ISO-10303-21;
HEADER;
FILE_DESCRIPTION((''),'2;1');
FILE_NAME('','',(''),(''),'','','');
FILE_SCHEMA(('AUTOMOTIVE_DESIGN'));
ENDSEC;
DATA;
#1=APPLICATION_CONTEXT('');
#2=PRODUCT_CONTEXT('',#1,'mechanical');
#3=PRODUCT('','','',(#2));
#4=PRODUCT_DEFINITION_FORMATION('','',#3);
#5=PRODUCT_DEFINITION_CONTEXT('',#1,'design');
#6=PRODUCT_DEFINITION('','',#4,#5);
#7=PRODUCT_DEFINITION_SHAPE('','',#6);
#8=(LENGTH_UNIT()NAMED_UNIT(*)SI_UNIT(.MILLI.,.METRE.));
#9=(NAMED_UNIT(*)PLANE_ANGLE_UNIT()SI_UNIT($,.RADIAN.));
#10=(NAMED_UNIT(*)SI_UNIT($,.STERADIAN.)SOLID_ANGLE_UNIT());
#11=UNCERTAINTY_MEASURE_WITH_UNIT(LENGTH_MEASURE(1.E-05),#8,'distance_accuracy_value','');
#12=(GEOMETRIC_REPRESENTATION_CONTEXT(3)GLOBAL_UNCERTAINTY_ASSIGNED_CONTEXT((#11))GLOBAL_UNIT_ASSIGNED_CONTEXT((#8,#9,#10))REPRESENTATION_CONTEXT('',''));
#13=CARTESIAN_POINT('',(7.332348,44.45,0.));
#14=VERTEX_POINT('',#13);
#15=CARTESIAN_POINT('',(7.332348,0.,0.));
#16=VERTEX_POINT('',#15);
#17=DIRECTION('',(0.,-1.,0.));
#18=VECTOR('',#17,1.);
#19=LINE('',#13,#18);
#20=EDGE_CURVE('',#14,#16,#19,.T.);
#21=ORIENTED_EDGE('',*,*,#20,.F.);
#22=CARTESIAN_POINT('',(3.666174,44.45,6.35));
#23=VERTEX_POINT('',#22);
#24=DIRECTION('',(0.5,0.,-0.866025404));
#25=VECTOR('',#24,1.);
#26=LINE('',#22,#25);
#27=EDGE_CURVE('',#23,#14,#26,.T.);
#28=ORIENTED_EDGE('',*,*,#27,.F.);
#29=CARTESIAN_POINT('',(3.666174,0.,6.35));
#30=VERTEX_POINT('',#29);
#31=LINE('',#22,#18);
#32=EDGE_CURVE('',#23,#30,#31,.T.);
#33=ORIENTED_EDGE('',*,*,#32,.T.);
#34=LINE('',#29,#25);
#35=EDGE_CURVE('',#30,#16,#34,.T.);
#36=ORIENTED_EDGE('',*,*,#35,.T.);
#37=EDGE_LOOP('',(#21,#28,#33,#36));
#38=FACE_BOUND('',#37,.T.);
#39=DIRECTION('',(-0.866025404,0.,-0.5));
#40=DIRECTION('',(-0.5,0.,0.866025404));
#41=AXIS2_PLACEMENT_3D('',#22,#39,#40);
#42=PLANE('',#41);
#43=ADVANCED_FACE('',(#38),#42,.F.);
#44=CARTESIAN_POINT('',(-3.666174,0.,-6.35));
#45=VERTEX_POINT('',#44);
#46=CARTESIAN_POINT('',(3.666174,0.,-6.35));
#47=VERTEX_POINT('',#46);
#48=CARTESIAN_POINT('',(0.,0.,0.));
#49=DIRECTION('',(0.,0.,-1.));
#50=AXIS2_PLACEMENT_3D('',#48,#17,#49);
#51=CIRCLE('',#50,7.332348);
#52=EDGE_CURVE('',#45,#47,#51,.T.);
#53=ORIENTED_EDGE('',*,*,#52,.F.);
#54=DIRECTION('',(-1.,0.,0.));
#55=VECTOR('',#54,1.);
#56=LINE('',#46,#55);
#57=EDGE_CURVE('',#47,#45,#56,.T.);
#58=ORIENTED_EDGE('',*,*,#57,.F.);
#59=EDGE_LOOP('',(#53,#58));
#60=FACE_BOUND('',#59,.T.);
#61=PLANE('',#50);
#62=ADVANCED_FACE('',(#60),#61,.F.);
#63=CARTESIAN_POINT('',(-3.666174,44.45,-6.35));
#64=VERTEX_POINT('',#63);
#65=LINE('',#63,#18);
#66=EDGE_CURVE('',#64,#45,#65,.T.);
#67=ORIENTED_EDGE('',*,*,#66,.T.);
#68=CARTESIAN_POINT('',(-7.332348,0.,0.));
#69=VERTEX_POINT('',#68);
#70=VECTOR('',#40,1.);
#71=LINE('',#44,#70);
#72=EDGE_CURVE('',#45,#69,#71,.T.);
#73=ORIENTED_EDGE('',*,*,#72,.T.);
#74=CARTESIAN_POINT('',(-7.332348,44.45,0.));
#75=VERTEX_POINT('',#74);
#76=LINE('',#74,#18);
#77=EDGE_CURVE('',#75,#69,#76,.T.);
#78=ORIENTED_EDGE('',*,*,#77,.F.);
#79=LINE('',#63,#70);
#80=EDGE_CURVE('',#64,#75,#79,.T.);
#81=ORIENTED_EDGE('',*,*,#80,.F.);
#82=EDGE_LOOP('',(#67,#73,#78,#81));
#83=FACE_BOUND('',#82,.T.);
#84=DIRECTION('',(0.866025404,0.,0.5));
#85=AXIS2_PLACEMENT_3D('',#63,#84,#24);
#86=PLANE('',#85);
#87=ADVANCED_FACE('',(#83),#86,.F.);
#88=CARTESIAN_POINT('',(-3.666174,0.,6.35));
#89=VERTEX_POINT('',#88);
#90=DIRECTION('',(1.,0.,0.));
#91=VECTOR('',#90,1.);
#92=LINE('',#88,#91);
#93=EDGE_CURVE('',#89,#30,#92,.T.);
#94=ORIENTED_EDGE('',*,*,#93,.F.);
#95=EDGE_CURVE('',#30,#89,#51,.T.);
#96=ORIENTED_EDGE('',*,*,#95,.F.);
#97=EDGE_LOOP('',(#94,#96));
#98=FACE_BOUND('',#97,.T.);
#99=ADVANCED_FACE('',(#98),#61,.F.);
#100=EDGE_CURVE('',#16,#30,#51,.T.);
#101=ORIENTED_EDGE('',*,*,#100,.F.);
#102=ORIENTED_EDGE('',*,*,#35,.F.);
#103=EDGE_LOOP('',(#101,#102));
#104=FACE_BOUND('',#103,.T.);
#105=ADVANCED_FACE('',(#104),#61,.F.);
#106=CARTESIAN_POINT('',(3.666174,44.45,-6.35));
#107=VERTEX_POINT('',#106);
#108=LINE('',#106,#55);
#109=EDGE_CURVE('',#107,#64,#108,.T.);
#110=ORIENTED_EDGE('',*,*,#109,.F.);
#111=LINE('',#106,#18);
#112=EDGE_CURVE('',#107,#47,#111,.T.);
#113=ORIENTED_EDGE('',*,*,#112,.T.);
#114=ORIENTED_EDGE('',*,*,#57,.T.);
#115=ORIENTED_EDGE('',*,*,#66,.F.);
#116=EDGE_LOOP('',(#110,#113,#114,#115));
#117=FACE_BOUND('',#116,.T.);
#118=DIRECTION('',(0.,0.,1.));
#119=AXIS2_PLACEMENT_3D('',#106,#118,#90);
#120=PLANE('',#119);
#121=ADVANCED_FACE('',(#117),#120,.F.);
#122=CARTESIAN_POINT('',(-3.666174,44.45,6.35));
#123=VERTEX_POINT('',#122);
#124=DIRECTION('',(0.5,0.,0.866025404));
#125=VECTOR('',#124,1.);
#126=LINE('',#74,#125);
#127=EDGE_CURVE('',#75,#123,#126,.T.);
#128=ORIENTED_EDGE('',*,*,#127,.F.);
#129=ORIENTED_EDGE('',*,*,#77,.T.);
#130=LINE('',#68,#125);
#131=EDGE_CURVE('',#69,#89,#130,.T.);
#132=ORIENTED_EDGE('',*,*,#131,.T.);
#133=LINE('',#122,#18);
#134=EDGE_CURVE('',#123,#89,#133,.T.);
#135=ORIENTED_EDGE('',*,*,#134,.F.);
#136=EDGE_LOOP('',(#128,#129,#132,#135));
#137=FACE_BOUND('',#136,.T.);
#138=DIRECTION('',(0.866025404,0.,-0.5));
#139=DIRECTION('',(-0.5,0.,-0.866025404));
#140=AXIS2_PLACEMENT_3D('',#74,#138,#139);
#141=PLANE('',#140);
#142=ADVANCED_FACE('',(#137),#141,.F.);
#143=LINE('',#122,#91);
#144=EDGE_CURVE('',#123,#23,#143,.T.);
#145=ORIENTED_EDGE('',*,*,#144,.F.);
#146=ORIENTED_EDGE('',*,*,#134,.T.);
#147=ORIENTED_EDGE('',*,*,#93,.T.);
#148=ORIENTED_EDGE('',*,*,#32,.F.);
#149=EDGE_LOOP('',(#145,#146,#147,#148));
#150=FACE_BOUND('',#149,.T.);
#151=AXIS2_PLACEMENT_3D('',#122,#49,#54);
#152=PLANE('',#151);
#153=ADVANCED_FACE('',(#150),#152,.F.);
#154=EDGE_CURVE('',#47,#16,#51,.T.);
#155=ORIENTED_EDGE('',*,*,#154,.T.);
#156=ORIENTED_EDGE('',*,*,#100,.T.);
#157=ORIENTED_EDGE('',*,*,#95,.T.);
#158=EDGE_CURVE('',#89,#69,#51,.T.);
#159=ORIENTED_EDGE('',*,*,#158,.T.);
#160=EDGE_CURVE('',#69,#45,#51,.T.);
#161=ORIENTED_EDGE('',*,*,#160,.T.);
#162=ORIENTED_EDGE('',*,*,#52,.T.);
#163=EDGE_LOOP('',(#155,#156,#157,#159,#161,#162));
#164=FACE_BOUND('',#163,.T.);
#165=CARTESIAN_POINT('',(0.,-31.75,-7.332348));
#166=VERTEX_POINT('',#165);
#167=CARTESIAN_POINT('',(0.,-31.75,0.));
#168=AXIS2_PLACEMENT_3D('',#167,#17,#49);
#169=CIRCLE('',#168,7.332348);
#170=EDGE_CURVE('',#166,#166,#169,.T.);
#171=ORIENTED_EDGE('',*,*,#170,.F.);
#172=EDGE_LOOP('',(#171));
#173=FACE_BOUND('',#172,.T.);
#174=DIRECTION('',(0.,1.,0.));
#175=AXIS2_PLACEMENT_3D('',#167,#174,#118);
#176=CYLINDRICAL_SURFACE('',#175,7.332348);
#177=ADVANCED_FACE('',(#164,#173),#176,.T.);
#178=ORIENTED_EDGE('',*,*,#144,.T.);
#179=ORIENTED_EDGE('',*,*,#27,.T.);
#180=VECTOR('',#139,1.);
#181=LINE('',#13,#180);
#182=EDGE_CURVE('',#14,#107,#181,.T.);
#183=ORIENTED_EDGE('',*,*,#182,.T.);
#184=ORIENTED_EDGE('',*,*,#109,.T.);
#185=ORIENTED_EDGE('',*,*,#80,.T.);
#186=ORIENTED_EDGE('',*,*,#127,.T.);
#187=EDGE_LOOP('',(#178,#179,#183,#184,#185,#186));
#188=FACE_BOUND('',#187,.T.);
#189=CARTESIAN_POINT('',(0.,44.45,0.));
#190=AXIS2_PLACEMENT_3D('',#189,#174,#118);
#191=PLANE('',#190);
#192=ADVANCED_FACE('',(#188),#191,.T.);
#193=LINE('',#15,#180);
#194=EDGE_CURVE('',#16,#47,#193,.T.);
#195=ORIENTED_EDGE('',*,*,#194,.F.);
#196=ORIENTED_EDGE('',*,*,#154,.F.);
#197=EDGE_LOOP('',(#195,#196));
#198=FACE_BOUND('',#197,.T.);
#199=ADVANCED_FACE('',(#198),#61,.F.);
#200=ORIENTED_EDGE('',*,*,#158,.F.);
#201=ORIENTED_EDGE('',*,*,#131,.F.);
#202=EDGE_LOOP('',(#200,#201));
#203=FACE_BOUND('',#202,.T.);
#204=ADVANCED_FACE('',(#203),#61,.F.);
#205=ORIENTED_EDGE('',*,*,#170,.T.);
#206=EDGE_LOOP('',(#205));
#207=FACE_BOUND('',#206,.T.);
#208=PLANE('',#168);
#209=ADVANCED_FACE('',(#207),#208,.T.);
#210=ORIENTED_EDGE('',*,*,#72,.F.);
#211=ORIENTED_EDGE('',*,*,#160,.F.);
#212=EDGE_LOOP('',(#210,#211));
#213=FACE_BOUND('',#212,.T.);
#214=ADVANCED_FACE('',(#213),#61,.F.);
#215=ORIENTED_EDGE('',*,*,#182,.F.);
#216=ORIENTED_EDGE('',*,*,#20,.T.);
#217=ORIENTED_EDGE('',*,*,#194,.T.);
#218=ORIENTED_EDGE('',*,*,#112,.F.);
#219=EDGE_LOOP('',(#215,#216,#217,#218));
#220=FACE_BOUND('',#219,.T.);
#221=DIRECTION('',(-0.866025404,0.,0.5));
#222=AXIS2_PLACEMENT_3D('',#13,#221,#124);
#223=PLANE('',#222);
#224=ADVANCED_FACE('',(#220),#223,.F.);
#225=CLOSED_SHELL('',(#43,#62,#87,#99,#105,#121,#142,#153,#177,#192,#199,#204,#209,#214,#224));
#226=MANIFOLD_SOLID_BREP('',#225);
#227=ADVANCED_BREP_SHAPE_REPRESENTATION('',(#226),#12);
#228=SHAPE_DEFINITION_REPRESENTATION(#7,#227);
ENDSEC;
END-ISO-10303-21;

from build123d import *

# Parameters (mm, degrees)
BOSS_EXTRUDE1_DEPTH = 44.45
SKETCH4_R           = 7.332348419
BOSS_EXTRUDE2_DEPTH = 31.75


with BuildPart() as part:
    # Sketch3 → Boss-Extrude1 (new body)
    with BuildSketch(Plane(origin=(0, 0, 0), x_dir=(1, 0, 0), z_dir=(0, 1, 0))):
        Polygon((7.332348419, 0), (3.666174209, 6.35), (-3.666174209, 6.35), (-7.332348419, 0), (-3.666174209, -6.35), (3.666174209, -6.35), align=None)
    extrude(amount=BOSS_EXTRUDE1_DEPTH)

    # Sketch4 → Boss-Extrude2 (add)
    with BuildSketch(Plane.XZ):
        with Locations(Location((0, 0, 0), (0, 0, 60))):
            Circle(SKETCH4_R)
    extrude(amount=BOSS_EXTRUDE2_DEPTH)


solid = part.part
